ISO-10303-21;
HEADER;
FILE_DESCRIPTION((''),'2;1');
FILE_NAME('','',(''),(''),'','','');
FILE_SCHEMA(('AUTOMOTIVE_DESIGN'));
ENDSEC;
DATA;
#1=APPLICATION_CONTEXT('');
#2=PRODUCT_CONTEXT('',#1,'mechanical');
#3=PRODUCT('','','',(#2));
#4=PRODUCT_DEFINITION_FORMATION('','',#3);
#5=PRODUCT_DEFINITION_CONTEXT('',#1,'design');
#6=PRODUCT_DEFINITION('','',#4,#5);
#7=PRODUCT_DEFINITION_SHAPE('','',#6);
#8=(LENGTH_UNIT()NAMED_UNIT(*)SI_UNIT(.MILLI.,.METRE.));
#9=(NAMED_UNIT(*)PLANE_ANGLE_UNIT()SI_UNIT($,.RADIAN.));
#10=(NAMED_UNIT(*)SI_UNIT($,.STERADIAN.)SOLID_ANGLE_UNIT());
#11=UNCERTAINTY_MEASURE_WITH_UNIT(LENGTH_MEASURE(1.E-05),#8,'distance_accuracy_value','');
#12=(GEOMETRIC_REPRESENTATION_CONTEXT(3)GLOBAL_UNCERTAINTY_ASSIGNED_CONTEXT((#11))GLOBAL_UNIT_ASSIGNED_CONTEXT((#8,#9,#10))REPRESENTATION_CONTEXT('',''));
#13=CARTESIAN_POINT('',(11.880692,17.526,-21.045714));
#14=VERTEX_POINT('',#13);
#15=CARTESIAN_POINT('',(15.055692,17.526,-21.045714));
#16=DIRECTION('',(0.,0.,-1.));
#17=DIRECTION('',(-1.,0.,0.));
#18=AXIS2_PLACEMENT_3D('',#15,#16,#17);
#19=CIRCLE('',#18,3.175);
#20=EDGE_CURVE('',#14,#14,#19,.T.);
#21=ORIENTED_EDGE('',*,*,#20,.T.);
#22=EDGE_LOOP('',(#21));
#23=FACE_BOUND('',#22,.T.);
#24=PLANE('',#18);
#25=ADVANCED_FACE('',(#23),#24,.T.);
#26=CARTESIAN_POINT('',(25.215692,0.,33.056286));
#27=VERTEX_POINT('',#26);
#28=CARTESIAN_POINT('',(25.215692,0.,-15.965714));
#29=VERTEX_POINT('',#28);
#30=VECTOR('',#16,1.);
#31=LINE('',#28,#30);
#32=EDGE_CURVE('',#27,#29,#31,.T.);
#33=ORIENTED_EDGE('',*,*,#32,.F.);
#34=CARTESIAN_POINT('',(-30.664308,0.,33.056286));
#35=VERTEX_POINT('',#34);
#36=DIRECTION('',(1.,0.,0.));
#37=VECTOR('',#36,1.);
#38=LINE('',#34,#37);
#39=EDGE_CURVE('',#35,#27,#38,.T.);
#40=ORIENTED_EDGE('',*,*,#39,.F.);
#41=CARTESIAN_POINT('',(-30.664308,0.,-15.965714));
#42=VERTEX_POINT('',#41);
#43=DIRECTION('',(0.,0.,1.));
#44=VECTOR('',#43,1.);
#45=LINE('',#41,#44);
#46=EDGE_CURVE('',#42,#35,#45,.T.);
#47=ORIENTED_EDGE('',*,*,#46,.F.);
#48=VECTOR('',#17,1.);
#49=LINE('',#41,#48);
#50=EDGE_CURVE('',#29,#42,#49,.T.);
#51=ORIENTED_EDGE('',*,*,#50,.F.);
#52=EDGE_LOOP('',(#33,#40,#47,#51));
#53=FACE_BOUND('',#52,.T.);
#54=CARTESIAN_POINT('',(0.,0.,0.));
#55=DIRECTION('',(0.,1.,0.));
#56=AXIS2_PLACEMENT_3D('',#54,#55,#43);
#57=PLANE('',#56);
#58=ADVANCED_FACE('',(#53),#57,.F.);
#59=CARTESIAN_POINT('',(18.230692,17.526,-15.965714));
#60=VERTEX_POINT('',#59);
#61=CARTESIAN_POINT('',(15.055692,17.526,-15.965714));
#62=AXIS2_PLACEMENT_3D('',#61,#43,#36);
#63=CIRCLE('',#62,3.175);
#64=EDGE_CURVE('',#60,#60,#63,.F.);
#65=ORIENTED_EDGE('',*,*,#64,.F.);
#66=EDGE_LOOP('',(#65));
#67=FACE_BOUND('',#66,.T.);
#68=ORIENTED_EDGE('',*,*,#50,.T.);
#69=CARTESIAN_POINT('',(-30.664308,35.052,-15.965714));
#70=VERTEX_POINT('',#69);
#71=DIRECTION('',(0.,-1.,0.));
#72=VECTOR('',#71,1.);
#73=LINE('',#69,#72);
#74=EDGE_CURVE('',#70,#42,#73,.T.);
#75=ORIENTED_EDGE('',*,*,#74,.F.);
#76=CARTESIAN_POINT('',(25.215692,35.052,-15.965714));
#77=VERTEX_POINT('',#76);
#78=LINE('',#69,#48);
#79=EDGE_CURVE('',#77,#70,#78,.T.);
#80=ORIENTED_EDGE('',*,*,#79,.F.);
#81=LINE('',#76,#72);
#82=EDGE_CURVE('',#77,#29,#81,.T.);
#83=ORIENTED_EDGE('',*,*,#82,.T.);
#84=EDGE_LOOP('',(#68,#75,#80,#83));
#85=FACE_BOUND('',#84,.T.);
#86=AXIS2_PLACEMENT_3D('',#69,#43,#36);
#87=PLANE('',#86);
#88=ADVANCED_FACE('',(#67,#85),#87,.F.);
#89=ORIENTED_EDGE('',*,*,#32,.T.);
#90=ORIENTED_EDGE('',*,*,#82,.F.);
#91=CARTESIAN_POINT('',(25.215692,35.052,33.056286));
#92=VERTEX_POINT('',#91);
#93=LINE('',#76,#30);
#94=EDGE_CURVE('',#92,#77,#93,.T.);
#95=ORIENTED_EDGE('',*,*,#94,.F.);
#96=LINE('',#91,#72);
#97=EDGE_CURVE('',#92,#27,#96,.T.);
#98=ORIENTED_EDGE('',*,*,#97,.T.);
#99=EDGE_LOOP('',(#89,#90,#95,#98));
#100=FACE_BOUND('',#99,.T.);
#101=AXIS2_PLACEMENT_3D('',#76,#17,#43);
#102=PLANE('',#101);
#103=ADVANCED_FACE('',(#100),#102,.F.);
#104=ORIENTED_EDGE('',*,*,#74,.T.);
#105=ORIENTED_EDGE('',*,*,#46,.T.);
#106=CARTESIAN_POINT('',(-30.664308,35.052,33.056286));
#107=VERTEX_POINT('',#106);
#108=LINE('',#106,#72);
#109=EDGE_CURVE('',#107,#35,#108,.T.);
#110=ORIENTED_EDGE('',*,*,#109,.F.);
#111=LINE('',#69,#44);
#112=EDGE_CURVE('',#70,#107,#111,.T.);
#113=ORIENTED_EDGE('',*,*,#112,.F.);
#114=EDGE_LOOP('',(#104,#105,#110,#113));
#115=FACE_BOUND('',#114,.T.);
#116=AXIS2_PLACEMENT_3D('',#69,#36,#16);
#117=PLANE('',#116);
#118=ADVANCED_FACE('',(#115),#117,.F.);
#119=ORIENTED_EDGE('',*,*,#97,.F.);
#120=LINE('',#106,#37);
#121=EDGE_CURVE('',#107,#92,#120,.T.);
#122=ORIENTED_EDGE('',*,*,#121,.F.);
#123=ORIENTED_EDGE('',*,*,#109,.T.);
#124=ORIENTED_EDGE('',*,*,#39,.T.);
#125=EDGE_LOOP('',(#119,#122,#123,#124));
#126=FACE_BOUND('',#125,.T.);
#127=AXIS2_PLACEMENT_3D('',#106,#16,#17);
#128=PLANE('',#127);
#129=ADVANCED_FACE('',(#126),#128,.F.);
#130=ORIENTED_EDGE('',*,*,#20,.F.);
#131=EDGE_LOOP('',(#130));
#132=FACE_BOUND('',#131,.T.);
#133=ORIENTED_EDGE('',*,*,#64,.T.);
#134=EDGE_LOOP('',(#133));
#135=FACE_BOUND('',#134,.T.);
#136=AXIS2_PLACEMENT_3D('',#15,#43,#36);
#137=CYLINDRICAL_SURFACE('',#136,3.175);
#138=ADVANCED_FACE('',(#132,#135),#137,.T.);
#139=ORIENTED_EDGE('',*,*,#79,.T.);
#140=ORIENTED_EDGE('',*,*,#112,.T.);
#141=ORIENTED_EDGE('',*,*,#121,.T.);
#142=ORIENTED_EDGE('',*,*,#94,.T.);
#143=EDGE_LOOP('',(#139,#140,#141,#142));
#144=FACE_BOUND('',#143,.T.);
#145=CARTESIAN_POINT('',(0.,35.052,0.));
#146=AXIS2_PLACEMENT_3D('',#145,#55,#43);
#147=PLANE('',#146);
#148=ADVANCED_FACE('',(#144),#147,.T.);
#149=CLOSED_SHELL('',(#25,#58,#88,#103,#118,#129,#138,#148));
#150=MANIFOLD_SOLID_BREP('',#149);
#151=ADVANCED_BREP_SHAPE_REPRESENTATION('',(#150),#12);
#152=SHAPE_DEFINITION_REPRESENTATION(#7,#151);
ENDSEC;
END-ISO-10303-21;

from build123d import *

# Parameters (mm, degrees)
SKETCH1_W           = 55.88
SKETCH1_H           = 49.022
BOSS_EXTRUDE1_DEPTH = 35.052
SKETCH2_R           = 3.175
BOSS_EXTRUDE2_DEPTH = 5.08


with BuildPart() as part:
    # Sketch1 → Boss-Extrude1 (new body)
    with BuildSketch(Plane(origin=(0, 0, 0), x_dir=(1, 0, 0), z_dir=(0, 1, 0))):
        with Locations((-2.72430839, -8.545285714)):
            Rectangle(SKETCH1_W, SKETCH1_H)
    extrude(amount=BOSS_EXTRUDE1_DEPTH)

    # Sketch2 → Boss-Extrude2 (add)
    with BuildSketch(Plane(origin=(0, 0, -15.965714286), x_dir=(-1, 0, 0), z_dir=(0, 0, -1))):
        with Locations(Location((-15.05569161, 17.526, 0), (0, 0, 180))):
            Circle(SKETCH2_R)
    extrude(amount=BOSS_EXTRUDE2_DEPTH)


solid = part.part
